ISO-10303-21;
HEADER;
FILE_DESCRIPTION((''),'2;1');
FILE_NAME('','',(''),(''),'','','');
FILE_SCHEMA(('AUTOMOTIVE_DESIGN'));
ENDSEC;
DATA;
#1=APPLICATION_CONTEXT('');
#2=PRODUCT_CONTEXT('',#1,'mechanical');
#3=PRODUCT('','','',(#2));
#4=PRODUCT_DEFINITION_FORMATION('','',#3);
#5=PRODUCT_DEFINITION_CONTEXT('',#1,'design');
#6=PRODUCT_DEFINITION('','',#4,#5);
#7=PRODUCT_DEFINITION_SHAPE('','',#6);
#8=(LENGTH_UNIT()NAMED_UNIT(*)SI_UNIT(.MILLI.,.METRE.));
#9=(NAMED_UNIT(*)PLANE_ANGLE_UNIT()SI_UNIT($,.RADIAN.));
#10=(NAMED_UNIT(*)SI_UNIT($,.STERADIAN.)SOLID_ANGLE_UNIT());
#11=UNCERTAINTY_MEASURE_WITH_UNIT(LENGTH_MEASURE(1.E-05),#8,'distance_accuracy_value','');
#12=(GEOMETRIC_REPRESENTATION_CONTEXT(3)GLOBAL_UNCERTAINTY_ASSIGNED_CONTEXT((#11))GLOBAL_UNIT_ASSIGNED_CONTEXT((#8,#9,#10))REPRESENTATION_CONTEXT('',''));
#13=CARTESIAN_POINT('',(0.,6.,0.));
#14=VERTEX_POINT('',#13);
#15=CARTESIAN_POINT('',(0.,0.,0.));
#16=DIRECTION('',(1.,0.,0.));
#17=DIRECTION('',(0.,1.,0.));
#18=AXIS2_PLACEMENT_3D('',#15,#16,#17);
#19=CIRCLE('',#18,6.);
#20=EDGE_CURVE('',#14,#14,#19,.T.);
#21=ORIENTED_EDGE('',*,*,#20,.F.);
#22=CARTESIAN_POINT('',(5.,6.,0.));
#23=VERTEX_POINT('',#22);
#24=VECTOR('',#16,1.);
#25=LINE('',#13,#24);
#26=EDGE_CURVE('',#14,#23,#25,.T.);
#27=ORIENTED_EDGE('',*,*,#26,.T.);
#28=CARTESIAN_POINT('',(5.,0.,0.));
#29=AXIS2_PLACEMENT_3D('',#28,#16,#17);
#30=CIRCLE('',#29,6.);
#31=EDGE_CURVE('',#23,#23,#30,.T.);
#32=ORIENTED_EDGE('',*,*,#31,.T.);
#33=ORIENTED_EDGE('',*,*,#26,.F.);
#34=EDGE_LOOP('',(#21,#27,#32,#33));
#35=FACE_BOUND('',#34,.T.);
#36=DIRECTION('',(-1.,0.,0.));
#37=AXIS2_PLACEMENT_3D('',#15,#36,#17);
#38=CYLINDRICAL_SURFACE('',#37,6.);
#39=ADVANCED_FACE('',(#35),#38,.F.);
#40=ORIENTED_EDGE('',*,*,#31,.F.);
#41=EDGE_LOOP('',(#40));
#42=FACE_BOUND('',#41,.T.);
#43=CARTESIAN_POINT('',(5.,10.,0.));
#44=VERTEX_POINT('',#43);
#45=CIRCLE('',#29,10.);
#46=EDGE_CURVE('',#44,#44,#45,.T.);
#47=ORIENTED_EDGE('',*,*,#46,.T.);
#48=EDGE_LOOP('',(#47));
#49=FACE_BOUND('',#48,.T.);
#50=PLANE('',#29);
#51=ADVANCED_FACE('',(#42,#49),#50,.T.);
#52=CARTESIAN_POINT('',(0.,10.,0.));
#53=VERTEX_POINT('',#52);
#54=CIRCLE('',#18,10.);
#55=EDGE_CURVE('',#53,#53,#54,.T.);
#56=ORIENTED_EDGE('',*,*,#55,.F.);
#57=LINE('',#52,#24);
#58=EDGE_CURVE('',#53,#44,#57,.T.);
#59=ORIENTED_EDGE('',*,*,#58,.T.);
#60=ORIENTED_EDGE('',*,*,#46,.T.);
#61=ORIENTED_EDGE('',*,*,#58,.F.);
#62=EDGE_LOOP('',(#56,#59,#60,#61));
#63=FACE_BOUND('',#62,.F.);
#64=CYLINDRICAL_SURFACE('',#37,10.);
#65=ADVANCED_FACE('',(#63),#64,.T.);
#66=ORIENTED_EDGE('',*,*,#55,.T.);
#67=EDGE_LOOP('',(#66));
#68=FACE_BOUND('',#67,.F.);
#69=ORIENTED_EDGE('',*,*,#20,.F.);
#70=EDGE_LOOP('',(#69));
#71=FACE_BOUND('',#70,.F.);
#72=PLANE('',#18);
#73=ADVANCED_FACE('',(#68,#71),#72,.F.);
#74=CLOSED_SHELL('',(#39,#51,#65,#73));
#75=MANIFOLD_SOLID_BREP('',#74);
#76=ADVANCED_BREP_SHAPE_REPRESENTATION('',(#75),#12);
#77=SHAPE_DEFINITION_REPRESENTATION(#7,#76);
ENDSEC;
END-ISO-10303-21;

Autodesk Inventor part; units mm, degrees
ref_plane "YZ Plane" through (0, 0, 0) normal (1, 0, 0) x (0, 1, 0)
ref_plane "XZ Plane" through (0, 0, 0) normal (0, 1, 0) x (-1, 0, 0)
ref_plane "XY Plane" through (0, 0, 0) normal (0, 0, 1) x (1, 0, 0)
sketch "스케치1" plane through (0, 0, 0) normal (1, 0, 0) x (0, 1, 0)
  circle A0 centre (0, 0) radius 10
  circle A1 centre (0, 0) radius 6
  dimension "d0" = 20
  dimension "d1" = 12
extrude "돌출1" add sketch "스케치1" along normal blind 5
properties part number "_3D 인쇄"
